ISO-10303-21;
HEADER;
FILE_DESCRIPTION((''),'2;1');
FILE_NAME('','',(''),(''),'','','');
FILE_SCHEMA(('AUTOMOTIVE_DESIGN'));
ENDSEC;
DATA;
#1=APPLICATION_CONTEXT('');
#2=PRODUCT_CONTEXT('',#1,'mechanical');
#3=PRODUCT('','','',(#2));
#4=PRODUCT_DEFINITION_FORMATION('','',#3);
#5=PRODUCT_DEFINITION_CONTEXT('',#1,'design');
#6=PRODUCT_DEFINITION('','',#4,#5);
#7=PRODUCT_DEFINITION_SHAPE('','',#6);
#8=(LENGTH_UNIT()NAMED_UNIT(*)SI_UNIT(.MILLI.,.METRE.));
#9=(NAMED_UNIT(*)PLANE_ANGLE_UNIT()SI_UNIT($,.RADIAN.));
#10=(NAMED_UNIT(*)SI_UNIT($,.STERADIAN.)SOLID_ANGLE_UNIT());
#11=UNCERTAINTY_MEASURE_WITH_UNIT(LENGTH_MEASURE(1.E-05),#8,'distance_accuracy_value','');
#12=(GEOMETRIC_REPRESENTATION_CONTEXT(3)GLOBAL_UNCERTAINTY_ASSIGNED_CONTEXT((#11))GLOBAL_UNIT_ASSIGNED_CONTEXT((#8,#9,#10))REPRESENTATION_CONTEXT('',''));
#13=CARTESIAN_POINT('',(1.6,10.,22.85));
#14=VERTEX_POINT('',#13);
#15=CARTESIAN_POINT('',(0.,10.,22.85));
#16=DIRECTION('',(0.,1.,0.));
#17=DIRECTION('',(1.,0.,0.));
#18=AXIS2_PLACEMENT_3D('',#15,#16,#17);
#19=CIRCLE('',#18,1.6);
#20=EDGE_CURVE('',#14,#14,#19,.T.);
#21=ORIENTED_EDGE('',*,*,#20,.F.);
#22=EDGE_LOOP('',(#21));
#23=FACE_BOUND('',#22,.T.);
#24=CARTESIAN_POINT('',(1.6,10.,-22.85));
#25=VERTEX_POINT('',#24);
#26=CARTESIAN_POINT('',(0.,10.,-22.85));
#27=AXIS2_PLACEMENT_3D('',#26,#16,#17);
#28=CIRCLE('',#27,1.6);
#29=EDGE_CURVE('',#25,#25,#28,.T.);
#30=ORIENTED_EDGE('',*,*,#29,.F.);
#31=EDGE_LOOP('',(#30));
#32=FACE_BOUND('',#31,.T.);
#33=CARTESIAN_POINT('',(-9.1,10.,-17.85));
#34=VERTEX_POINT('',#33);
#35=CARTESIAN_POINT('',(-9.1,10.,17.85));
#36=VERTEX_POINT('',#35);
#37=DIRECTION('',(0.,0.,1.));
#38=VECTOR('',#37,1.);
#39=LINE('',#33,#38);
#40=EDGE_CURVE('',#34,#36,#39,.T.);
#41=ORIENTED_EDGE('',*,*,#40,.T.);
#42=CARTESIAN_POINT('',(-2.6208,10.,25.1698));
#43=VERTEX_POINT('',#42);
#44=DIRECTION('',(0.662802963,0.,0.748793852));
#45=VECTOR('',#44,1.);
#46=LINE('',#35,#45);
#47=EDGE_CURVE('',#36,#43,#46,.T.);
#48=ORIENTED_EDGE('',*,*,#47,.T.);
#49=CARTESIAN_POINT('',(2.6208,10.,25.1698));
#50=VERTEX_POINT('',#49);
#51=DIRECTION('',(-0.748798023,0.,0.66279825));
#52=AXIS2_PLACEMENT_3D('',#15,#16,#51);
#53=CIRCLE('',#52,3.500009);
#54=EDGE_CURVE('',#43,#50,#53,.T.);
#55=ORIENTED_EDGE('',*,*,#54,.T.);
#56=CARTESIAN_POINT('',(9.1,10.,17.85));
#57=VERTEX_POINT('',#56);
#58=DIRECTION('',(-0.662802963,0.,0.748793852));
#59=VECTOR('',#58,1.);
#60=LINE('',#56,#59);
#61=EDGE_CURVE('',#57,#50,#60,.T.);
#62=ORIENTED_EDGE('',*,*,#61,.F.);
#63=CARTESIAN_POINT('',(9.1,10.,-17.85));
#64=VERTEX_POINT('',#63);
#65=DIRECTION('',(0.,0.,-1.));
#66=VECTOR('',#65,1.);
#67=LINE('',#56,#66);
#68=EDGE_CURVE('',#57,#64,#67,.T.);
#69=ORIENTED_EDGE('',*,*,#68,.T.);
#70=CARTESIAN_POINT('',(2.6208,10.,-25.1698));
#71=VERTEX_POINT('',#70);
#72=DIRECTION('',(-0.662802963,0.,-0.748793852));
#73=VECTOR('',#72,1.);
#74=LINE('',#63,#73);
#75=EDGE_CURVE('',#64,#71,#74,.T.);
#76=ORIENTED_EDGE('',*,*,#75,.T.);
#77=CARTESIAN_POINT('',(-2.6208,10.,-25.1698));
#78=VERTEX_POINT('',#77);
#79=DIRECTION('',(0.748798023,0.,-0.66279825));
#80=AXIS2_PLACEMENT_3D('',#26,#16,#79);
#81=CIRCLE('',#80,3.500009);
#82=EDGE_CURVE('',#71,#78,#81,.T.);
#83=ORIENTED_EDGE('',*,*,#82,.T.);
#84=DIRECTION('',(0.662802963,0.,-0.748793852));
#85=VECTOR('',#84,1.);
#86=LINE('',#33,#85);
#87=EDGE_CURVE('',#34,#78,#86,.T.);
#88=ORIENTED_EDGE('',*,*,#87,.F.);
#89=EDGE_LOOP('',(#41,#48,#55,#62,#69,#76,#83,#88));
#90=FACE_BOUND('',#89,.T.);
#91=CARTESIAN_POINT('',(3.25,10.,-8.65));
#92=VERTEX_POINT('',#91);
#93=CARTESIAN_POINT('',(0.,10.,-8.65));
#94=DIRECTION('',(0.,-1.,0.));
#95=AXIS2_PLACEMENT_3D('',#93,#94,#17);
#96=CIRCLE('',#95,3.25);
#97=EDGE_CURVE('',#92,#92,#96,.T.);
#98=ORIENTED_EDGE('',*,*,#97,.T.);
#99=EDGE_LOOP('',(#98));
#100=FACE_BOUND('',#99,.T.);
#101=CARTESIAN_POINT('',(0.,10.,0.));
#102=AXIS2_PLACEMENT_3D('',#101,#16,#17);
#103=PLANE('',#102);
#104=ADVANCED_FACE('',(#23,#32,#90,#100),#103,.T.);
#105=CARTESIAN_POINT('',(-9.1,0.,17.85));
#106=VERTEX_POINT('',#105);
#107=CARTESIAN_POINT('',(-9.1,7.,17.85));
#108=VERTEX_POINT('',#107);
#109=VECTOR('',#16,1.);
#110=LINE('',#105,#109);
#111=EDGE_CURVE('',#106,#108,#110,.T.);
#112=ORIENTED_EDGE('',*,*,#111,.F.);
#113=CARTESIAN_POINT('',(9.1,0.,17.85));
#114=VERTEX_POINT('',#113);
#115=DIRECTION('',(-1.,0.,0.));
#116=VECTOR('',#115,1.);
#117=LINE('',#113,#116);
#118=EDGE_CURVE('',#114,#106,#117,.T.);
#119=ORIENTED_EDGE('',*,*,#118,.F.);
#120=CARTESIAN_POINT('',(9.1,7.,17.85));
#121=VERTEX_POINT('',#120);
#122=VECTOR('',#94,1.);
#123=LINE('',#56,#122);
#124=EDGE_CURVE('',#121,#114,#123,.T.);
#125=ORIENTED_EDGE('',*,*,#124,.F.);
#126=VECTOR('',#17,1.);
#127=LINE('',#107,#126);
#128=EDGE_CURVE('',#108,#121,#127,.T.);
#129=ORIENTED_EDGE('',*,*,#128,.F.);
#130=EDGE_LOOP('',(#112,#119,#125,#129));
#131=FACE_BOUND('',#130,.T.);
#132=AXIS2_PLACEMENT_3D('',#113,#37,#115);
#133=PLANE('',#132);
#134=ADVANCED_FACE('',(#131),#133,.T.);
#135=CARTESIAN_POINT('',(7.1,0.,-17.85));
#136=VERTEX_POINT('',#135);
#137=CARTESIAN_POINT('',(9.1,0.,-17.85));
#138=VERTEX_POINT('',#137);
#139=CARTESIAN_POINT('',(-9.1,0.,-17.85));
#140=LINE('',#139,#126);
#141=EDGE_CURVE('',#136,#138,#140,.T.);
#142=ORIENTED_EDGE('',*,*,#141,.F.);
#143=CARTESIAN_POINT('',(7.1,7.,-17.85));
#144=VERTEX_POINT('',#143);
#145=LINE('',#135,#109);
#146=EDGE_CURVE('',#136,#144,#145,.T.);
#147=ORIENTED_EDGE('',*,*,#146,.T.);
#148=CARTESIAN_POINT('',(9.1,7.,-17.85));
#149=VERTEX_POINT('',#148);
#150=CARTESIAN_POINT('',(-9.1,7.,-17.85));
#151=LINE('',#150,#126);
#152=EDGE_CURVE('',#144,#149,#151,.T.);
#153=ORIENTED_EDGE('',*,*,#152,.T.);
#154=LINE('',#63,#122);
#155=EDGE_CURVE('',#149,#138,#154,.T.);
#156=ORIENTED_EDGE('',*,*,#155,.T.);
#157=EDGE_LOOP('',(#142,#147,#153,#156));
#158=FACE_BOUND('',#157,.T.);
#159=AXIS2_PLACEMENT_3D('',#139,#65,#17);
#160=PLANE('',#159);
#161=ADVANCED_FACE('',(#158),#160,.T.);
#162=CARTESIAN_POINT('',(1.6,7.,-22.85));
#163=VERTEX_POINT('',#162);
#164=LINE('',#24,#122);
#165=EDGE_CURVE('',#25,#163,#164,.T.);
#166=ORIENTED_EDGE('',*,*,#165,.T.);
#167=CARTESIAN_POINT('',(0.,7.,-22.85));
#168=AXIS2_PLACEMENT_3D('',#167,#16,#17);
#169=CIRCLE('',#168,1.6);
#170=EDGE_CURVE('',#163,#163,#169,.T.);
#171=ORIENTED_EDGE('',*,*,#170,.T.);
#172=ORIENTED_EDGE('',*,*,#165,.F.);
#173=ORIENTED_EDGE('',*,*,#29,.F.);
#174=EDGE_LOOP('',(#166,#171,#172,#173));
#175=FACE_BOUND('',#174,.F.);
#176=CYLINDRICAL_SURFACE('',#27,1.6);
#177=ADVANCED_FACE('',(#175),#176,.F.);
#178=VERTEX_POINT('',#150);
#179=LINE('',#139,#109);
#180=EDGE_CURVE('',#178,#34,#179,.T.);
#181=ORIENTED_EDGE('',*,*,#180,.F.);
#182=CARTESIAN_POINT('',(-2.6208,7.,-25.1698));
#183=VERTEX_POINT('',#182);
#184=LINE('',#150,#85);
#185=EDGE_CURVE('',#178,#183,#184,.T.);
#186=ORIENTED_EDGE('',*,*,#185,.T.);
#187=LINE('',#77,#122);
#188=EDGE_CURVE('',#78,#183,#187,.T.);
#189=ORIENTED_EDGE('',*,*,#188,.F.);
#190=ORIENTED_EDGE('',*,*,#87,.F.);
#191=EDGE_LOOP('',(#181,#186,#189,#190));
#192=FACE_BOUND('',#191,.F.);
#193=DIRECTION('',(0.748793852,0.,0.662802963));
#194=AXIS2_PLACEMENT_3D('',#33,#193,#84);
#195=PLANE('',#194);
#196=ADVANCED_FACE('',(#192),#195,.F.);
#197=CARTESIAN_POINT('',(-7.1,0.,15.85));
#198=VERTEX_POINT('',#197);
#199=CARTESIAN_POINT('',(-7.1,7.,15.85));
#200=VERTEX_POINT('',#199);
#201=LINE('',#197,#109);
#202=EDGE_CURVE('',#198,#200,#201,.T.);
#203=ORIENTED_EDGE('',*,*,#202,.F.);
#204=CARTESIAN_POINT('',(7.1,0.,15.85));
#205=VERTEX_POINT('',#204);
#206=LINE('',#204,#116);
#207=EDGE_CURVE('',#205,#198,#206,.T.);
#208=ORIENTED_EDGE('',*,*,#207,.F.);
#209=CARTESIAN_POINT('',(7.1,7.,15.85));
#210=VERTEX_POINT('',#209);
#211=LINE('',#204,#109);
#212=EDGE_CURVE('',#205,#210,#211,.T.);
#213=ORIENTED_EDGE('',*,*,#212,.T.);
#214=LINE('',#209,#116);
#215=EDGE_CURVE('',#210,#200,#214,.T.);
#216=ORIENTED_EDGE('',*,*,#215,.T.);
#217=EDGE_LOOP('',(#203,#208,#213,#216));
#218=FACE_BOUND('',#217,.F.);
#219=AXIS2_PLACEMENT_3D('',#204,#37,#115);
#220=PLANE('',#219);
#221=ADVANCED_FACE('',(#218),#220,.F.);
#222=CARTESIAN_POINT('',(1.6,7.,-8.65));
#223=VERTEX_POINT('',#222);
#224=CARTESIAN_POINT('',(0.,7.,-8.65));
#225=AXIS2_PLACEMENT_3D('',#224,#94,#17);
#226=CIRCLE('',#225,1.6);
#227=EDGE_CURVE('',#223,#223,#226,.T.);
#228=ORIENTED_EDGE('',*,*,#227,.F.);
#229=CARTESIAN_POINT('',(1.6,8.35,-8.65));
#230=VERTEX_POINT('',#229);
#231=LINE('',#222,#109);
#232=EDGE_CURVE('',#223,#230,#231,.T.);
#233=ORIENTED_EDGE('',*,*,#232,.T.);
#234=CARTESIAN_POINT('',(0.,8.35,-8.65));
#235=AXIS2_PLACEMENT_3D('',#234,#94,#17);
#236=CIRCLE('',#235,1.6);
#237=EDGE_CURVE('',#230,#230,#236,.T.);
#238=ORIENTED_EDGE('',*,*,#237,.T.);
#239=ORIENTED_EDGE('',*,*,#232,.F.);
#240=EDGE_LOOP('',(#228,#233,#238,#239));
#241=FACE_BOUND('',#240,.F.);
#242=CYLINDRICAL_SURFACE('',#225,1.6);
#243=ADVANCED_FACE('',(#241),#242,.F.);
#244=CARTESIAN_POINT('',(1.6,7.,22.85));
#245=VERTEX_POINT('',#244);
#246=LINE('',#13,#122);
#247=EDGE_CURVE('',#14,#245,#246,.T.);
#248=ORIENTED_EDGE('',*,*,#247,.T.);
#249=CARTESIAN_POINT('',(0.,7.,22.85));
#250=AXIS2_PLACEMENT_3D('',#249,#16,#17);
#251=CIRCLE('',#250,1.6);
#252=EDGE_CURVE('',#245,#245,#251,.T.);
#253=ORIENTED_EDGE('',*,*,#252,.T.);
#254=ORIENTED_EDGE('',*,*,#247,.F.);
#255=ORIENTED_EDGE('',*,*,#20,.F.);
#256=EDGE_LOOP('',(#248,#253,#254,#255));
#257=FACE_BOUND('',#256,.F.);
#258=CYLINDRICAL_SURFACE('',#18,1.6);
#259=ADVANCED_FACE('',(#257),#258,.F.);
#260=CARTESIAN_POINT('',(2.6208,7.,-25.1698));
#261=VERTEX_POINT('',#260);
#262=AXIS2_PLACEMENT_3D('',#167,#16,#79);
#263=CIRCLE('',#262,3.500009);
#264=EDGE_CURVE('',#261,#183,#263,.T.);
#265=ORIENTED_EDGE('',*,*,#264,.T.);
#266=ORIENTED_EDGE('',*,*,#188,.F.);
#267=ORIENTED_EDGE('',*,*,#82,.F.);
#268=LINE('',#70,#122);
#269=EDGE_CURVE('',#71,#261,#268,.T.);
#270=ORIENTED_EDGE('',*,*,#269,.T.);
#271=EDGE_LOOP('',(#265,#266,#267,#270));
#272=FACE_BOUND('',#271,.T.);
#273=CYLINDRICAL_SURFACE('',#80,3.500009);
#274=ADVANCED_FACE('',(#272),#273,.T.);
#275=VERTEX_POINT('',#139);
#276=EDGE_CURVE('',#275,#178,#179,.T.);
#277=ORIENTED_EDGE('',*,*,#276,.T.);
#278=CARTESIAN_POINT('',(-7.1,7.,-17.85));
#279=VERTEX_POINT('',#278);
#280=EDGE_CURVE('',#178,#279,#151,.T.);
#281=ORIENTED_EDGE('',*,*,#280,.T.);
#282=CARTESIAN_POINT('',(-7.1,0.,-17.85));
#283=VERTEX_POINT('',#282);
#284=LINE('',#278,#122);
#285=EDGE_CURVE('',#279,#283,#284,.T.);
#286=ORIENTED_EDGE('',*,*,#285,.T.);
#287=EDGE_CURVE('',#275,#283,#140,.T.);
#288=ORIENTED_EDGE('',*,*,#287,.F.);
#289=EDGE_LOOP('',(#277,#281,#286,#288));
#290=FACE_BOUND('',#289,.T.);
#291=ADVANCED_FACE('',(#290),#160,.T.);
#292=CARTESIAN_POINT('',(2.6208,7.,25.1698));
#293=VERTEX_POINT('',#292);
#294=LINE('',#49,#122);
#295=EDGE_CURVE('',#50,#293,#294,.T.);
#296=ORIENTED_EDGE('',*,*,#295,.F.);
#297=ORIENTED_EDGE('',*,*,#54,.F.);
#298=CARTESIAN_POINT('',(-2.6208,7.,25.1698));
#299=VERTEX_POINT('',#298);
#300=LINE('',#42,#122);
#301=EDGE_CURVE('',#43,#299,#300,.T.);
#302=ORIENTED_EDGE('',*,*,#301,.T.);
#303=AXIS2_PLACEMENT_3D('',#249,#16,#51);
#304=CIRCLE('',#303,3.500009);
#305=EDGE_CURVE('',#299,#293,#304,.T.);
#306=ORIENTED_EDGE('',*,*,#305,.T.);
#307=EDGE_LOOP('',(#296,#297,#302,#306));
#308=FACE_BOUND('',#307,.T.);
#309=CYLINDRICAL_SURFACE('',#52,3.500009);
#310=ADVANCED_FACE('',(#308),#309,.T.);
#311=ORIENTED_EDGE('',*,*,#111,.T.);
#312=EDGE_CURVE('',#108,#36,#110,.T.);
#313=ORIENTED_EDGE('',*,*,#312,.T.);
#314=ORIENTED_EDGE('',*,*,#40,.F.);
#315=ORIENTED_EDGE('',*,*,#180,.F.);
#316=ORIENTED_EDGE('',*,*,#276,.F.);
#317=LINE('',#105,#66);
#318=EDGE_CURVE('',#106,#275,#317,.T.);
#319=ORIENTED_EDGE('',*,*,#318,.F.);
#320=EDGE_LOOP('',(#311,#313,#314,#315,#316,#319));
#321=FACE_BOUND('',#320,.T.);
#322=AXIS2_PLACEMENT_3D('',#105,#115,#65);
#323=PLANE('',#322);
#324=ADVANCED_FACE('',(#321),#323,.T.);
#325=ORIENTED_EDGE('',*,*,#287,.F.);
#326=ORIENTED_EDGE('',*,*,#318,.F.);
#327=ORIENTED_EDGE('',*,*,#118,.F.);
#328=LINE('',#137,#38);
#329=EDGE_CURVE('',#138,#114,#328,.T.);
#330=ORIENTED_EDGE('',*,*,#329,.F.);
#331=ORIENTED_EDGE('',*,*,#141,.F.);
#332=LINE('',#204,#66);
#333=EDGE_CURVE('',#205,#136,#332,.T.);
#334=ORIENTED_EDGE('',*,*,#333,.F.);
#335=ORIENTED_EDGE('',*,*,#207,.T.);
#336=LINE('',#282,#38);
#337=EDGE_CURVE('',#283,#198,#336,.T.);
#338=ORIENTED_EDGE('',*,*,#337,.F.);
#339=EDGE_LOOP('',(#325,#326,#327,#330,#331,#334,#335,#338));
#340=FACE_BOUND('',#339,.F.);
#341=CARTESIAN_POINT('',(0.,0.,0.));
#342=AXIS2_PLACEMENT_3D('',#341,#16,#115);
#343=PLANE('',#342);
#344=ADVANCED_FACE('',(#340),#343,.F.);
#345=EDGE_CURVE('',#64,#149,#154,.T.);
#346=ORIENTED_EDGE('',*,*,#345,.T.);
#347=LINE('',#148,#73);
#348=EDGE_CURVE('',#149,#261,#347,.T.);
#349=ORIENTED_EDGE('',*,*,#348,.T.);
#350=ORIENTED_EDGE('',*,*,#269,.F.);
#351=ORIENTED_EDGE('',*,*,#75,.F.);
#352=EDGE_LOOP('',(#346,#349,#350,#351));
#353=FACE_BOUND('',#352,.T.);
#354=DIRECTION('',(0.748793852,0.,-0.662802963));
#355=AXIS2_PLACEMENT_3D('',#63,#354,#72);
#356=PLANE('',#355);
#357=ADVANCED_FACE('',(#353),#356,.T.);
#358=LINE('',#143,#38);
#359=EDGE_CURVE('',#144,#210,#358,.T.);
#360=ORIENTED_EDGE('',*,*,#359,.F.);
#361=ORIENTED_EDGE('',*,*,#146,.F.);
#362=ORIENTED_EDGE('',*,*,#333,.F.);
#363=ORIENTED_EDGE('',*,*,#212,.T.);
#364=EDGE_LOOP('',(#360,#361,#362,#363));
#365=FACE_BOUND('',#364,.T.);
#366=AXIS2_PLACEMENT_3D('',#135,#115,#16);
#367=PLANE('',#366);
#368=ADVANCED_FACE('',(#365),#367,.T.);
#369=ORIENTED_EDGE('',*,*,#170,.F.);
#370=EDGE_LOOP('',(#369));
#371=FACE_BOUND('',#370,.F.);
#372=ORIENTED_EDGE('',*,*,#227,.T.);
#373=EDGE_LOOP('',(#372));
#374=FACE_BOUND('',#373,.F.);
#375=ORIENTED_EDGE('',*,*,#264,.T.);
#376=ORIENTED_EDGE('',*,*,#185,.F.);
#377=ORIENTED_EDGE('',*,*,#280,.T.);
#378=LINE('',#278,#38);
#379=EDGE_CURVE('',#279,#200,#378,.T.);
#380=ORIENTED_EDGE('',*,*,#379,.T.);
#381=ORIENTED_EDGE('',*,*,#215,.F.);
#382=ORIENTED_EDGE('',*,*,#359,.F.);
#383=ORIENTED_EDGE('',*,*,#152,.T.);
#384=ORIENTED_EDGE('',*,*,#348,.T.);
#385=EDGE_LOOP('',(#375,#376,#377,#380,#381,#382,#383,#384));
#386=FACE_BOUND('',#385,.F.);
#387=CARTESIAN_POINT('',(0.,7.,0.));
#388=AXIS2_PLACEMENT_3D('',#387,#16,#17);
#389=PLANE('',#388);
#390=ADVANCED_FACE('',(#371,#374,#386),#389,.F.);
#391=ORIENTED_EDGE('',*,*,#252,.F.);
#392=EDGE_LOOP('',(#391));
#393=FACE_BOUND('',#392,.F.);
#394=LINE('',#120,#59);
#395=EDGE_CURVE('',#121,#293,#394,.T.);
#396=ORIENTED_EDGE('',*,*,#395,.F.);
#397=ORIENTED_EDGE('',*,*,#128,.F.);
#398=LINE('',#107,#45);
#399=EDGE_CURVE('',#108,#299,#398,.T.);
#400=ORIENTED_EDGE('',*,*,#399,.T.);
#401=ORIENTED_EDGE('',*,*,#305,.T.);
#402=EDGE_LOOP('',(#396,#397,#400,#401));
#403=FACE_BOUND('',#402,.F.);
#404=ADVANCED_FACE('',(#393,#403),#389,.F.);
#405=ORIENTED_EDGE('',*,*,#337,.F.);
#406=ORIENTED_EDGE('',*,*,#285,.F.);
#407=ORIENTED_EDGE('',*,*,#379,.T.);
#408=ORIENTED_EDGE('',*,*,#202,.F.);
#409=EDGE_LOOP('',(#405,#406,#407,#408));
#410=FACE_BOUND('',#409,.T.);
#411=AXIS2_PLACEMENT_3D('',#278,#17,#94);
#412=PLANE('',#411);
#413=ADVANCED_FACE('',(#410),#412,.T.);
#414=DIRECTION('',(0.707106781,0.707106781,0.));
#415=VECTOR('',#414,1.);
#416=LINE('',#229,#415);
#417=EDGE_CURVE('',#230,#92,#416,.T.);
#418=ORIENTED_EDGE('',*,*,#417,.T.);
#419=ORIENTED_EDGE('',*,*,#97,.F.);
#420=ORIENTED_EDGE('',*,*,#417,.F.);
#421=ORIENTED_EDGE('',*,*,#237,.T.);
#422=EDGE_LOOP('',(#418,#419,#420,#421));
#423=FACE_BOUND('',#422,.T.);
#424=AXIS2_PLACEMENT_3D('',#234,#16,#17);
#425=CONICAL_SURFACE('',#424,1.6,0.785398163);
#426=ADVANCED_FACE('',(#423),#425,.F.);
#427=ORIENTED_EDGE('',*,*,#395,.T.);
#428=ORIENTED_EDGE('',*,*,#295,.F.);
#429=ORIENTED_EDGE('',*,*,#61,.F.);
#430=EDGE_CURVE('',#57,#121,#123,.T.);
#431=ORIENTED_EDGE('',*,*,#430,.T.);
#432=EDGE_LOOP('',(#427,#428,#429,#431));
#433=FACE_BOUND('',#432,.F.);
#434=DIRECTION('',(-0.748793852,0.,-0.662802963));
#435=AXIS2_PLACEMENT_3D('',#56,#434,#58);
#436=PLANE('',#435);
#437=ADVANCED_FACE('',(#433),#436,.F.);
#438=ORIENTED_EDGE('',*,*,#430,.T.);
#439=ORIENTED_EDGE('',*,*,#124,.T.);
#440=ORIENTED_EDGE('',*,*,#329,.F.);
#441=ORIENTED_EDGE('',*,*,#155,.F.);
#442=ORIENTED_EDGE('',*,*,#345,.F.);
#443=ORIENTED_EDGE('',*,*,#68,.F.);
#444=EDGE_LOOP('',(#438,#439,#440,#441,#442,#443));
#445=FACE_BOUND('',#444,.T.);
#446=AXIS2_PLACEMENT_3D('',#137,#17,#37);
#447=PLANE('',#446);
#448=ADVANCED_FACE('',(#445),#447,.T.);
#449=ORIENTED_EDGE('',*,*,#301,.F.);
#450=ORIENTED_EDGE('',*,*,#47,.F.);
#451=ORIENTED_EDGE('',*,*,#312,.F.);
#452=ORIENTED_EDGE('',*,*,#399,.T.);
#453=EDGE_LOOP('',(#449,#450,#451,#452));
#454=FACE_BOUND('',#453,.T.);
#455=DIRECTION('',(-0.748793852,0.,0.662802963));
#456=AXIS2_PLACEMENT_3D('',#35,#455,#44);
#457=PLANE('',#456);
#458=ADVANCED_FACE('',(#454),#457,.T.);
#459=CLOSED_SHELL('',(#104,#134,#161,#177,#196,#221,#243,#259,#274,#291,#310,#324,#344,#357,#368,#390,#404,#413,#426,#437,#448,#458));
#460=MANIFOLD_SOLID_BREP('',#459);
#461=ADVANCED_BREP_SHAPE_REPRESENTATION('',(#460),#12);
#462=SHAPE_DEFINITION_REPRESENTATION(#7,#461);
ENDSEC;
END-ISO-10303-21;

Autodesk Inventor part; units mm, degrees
ref_plane "YZ Plane" through (0, 0, 0) normal (1, 0, 0) x (0, 1, 0)
ref_plane "XZ Plane" through (0, 0, 0) normal (0, 1, 0) x (-1, 0, 0)
ref_plane "XY Plane" through (0, 0, 0) normal (0, 0, 1) x (1, 0, 0)
sketch "Эскиз1" plane through (0, 0, 0) normal (0, 1, 0) x (-1, 0, 0)
  line L0 (7.1, -15.85) -> (-7.1, -15.85)
  line L1 (-7.1, -15.85) -> (-7.1, 15.85)
  line L2 (-7.1, 15.85) -> (7.1, 15.85)
  line L3 (7.1, 15.85) -> (7.1, -15.85)
  line L4 (7.1, -15.85) -> (-7.1, 15.85) construction
  line L5 (-7.1, -15.85) -> (7.1, 15.85) construction
  line L6 (9.1, -17.85) -> (-9.1, -17.85)
  line L7 (-9.1, -17.85) -> (-9.1, 17.85)
  line L8 (-9.1, 17.85) -> (9.1, 17.85)
  line L9 (9.1, 17.85) -> (9.1, -17.85)
  point P0 (0, 0)
  dimension "d0" = 14.2
  dimension "d1" = 31.7
  dimension "d2" = 2
extrude "Выдавливание1" add sketch "Эскиз1" along normal blind 7
sketch "Эскиз2" plane through (0, 7, 0) normal (0, 1, 0) x (1, 0, 0)
  line L0 (-9.1, 17.85) -> (-9.1, -17.85) projected
  line L1 (-9.1, -17.85) -> (9.1, -17.85) projected
  line L2 (9.1, -17.85) -> (9.1, 17.85) projected
  line L3 (9.1, 17.85) -> (-9.1, 17.85) projected
  point P0 (0, 0)
extrude "Выдавливание2" add sketch "Эскиз2" along normal blind 3
sketch "Эскиз4" plane through (9.1, 0, -17.85) normal (0, 0, -1) x (-1, 0, 0)
  line L0 (0, 0) -> (0, 10) construction
  line L1 (0, 0) -> (0, 10) construction
  line L2 (0, 0) -> (18.2, 0) construction
  line L3 (18.2, 0) -> (18.2, 10) construction
  line L4 (18.2, 0) -> (18.2, 10) construction
  line L5 (0, 0) -> (0, 10) projected
  line L6 (0, 0) -> (0, 10)
  line L7 (18.2, 0) -> (0, 0) projected
  line L8 (0, 0) -> (18.2, 0)
  line L9 (18.2, 0) -> (18.2, 10)
  line L10 (5.972, 10) -> (0, 10)
  line L11 (0, 10) -> (18.2, 10)
  line L12 (0, 0) -> (0, 10) projected
  line L13 (0, 10) -> (0, 7)
  line L14 (2, 0) -> (2, 7)
  line L15 (2, 7) -> (16.2, 7)
  line L16 (16.2, 7) -> (16.2, 0)
  point P0 (9.1, 0)
  point P1 (18.2, 7)
  point P2 (0, 5)
  point P3 (18.2, 5)
  point P4 (16.2, 0)
  dimension "d1" = 31.7
  dimension "d15" = 2
  dimension "d16" = 2
extrude "Выдавливание4" cut sketch "Эскиз4" against normal blind 3 contours L14 L15 L16 L7
sketch "Эскиз5" plane through (0, 10, 0) normal (0, 1, 0) x (1, 0, 0)
  line L0 (0, 0) -> (0, -28.4562) construction
  circle A0 centre (0, -22.85) radius 1.6
  circle A1 centre (0, 22.85) radius 1.6
  line L1 (-9.1, -17.85) -> (9.1, -17.85) projected
  line L2 (9.1, 17.85) -> (-9.1, 17.85) projected
  arc A2 (2.6208, 25.1698) -> (-2.6208, 25.1698) centre (0, 22.85) ccw
  arc A3 (-2.6208, -25.1698) -> (2.6208, -25.1698) centre (0, -22.85) ccw
  line L3 (9.1, 17.85) -> (7.1, 17.85) projected
  line L4 (9.1, 17.85) -> (2.6208, 25.1698)
  line L5 (-9.1, 17.85) -> (-2.6208, 25.1698)
  line L6 (-9.1, -17.85) -> (-2.6208, -25.1698)
  line L7 (9.1, -17.85) -> (9.1, 17.85) projected
  line L8 (9.1, -17.85) -> (2.6208, -25.1698)
  dimension "d32" = 3.2
  dimension "d33" = 3.2
  dimension "d34" = 5
  dimension "d35" = 5
  dimension "d36" = 7
  dimension "d37" = 7
extrude "Выдавливание5" add sketch "Эскиз5" against normal blind 3
sketch "Эскиз6" plane through (0, 7, 0) normal (0, -1, 0) x (1, 0, 0)
  circle A0 centre (0, -8.65) radius 1.5 construction
  circle A1 centre (0, -8.65) radius 1.6
  point P0 (0, 0)
  dimension "d38" = 3.2
extrude "Выдавливание6" cut sketch "Эскиз6" against normal blind 10
chamfer "Фаска1" distance 1.65 angle 45 1 edges at (-1.6, 10, -8.65)
properties part number "креп_опт" material "Полипропилен"
